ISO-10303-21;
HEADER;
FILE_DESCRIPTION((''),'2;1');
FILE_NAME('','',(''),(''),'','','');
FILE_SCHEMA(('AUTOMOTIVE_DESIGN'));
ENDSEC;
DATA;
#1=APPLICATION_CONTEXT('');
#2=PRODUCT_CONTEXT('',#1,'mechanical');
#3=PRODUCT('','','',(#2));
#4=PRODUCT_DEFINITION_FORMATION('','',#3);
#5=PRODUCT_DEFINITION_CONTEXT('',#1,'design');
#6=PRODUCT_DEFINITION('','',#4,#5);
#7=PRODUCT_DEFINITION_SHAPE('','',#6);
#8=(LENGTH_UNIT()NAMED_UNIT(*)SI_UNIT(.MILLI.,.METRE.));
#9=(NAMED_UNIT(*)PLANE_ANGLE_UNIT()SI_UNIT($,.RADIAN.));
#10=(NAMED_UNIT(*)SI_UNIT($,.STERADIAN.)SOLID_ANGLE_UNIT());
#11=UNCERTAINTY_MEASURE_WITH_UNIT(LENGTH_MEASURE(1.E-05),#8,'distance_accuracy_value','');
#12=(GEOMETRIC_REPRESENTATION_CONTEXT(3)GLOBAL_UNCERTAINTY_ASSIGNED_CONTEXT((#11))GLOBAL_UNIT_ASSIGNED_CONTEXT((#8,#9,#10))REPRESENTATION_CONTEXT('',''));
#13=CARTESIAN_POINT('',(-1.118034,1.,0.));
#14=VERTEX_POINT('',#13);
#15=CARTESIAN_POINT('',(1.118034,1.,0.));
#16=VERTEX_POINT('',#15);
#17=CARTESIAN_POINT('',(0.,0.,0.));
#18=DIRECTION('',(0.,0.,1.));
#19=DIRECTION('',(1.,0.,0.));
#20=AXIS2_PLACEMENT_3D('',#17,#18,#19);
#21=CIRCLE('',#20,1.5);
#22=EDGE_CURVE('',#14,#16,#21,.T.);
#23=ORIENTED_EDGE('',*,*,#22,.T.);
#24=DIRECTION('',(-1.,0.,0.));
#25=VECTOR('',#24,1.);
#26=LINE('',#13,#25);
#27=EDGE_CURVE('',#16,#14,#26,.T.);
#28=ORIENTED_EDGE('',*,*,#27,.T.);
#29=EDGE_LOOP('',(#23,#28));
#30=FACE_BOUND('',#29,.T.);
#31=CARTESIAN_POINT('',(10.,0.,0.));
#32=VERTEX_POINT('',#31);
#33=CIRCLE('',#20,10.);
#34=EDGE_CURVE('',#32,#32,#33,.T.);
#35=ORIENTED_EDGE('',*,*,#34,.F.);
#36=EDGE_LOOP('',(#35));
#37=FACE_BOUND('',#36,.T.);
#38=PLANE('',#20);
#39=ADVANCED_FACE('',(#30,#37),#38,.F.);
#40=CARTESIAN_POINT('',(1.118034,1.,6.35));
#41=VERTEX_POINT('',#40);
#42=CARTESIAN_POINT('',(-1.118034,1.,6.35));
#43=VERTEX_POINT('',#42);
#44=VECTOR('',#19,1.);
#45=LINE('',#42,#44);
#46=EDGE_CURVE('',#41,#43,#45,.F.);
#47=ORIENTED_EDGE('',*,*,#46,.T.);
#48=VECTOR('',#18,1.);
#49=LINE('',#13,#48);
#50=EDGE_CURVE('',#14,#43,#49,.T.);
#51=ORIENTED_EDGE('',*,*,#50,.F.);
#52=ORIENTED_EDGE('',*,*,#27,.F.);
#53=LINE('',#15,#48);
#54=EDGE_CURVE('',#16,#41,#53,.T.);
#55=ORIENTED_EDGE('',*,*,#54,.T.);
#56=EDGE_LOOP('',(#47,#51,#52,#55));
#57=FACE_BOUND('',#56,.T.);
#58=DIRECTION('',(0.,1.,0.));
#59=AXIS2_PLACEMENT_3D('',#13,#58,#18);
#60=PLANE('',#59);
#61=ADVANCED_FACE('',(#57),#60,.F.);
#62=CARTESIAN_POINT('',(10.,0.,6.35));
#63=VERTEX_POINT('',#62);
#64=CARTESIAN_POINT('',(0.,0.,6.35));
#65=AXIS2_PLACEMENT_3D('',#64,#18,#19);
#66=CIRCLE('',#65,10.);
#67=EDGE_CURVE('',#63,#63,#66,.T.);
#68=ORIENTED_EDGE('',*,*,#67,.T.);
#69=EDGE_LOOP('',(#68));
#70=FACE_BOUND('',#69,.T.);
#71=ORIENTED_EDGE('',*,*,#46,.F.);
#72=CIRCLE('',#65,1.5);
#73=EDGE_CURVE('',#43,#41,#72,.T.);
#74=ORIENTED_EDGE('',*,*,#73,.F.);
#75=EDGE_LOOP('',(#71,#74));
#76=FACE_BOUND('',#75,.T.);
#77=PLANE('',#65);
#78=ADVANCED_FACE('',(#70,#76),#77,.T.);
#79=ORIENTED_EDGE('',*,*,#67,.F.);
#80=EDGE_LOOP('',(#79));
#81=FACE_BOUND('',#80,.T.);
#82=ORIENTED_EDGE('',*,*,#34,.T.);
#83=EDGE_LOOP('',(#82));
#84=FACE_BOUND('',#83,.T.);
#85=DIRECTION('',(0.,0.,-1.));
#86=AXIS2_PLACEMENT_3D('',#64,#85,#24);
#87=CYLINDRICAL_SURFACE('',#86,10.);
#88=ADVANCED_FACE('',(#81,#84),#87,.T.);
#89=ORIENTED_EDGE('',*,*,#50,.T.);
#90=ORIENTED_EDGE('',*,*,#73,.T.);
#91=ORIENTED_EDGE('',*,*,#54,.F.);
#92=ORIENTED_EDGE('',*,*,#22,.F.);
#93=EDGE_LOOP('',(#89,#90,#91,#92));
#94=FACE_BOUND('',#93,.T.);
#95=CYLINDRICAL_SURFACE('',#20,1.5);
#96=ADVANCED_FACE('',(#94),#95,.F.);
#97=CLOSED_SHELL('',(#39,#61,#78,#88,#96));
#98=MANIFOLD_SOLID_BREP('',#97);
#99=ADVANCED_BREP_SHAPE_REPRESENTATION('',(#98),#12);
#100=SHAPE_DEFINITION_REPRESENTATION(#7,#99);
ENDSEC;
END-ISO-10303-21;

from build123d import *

# Parameters (mm, degrees)
SKETCH1_R               = 9.999999939
BOSS_EXTRUDE1_DEPTH     = 6.35
CUT_EXTRUDE1_DEPTH      = 16.502338455
CUT_EXTRUDE1_DEPTH_BACK = 16.502338455


with BuildPart() as part:
    # Sketch1 → Boss-Extrude1 (new body)
    with BuildSketch(Plane.XY):
        Circle(SKETCH1_R)
    extrude(amount=BOSS_EXTRUDE1_DEPTH)

    # Sketch2 → Cut-Extrude1 (cut, two sides: drawn at the far end of the back side and taken through both)
    with BuildSketch(Plane.XY.offset(6.35).offset(-CUT_EXTRUDE1_DEPTH_BACK)):
        with BuildLine():
            Line((-1.118034025, 1.000000032), (1.118034025, 1.000000032))
            ThreePointArc((1.118034025, 1.000000032), (0, -1.500000048), (-1.118034025, 1.000000032))
        make_face()
    extrude(amount=CUT_EXTRUDE1_DEPTH + CUT_EXTRUDE1_DEPTH_BACK, mode=Mode.SUBTRACT)


solid = part.part
